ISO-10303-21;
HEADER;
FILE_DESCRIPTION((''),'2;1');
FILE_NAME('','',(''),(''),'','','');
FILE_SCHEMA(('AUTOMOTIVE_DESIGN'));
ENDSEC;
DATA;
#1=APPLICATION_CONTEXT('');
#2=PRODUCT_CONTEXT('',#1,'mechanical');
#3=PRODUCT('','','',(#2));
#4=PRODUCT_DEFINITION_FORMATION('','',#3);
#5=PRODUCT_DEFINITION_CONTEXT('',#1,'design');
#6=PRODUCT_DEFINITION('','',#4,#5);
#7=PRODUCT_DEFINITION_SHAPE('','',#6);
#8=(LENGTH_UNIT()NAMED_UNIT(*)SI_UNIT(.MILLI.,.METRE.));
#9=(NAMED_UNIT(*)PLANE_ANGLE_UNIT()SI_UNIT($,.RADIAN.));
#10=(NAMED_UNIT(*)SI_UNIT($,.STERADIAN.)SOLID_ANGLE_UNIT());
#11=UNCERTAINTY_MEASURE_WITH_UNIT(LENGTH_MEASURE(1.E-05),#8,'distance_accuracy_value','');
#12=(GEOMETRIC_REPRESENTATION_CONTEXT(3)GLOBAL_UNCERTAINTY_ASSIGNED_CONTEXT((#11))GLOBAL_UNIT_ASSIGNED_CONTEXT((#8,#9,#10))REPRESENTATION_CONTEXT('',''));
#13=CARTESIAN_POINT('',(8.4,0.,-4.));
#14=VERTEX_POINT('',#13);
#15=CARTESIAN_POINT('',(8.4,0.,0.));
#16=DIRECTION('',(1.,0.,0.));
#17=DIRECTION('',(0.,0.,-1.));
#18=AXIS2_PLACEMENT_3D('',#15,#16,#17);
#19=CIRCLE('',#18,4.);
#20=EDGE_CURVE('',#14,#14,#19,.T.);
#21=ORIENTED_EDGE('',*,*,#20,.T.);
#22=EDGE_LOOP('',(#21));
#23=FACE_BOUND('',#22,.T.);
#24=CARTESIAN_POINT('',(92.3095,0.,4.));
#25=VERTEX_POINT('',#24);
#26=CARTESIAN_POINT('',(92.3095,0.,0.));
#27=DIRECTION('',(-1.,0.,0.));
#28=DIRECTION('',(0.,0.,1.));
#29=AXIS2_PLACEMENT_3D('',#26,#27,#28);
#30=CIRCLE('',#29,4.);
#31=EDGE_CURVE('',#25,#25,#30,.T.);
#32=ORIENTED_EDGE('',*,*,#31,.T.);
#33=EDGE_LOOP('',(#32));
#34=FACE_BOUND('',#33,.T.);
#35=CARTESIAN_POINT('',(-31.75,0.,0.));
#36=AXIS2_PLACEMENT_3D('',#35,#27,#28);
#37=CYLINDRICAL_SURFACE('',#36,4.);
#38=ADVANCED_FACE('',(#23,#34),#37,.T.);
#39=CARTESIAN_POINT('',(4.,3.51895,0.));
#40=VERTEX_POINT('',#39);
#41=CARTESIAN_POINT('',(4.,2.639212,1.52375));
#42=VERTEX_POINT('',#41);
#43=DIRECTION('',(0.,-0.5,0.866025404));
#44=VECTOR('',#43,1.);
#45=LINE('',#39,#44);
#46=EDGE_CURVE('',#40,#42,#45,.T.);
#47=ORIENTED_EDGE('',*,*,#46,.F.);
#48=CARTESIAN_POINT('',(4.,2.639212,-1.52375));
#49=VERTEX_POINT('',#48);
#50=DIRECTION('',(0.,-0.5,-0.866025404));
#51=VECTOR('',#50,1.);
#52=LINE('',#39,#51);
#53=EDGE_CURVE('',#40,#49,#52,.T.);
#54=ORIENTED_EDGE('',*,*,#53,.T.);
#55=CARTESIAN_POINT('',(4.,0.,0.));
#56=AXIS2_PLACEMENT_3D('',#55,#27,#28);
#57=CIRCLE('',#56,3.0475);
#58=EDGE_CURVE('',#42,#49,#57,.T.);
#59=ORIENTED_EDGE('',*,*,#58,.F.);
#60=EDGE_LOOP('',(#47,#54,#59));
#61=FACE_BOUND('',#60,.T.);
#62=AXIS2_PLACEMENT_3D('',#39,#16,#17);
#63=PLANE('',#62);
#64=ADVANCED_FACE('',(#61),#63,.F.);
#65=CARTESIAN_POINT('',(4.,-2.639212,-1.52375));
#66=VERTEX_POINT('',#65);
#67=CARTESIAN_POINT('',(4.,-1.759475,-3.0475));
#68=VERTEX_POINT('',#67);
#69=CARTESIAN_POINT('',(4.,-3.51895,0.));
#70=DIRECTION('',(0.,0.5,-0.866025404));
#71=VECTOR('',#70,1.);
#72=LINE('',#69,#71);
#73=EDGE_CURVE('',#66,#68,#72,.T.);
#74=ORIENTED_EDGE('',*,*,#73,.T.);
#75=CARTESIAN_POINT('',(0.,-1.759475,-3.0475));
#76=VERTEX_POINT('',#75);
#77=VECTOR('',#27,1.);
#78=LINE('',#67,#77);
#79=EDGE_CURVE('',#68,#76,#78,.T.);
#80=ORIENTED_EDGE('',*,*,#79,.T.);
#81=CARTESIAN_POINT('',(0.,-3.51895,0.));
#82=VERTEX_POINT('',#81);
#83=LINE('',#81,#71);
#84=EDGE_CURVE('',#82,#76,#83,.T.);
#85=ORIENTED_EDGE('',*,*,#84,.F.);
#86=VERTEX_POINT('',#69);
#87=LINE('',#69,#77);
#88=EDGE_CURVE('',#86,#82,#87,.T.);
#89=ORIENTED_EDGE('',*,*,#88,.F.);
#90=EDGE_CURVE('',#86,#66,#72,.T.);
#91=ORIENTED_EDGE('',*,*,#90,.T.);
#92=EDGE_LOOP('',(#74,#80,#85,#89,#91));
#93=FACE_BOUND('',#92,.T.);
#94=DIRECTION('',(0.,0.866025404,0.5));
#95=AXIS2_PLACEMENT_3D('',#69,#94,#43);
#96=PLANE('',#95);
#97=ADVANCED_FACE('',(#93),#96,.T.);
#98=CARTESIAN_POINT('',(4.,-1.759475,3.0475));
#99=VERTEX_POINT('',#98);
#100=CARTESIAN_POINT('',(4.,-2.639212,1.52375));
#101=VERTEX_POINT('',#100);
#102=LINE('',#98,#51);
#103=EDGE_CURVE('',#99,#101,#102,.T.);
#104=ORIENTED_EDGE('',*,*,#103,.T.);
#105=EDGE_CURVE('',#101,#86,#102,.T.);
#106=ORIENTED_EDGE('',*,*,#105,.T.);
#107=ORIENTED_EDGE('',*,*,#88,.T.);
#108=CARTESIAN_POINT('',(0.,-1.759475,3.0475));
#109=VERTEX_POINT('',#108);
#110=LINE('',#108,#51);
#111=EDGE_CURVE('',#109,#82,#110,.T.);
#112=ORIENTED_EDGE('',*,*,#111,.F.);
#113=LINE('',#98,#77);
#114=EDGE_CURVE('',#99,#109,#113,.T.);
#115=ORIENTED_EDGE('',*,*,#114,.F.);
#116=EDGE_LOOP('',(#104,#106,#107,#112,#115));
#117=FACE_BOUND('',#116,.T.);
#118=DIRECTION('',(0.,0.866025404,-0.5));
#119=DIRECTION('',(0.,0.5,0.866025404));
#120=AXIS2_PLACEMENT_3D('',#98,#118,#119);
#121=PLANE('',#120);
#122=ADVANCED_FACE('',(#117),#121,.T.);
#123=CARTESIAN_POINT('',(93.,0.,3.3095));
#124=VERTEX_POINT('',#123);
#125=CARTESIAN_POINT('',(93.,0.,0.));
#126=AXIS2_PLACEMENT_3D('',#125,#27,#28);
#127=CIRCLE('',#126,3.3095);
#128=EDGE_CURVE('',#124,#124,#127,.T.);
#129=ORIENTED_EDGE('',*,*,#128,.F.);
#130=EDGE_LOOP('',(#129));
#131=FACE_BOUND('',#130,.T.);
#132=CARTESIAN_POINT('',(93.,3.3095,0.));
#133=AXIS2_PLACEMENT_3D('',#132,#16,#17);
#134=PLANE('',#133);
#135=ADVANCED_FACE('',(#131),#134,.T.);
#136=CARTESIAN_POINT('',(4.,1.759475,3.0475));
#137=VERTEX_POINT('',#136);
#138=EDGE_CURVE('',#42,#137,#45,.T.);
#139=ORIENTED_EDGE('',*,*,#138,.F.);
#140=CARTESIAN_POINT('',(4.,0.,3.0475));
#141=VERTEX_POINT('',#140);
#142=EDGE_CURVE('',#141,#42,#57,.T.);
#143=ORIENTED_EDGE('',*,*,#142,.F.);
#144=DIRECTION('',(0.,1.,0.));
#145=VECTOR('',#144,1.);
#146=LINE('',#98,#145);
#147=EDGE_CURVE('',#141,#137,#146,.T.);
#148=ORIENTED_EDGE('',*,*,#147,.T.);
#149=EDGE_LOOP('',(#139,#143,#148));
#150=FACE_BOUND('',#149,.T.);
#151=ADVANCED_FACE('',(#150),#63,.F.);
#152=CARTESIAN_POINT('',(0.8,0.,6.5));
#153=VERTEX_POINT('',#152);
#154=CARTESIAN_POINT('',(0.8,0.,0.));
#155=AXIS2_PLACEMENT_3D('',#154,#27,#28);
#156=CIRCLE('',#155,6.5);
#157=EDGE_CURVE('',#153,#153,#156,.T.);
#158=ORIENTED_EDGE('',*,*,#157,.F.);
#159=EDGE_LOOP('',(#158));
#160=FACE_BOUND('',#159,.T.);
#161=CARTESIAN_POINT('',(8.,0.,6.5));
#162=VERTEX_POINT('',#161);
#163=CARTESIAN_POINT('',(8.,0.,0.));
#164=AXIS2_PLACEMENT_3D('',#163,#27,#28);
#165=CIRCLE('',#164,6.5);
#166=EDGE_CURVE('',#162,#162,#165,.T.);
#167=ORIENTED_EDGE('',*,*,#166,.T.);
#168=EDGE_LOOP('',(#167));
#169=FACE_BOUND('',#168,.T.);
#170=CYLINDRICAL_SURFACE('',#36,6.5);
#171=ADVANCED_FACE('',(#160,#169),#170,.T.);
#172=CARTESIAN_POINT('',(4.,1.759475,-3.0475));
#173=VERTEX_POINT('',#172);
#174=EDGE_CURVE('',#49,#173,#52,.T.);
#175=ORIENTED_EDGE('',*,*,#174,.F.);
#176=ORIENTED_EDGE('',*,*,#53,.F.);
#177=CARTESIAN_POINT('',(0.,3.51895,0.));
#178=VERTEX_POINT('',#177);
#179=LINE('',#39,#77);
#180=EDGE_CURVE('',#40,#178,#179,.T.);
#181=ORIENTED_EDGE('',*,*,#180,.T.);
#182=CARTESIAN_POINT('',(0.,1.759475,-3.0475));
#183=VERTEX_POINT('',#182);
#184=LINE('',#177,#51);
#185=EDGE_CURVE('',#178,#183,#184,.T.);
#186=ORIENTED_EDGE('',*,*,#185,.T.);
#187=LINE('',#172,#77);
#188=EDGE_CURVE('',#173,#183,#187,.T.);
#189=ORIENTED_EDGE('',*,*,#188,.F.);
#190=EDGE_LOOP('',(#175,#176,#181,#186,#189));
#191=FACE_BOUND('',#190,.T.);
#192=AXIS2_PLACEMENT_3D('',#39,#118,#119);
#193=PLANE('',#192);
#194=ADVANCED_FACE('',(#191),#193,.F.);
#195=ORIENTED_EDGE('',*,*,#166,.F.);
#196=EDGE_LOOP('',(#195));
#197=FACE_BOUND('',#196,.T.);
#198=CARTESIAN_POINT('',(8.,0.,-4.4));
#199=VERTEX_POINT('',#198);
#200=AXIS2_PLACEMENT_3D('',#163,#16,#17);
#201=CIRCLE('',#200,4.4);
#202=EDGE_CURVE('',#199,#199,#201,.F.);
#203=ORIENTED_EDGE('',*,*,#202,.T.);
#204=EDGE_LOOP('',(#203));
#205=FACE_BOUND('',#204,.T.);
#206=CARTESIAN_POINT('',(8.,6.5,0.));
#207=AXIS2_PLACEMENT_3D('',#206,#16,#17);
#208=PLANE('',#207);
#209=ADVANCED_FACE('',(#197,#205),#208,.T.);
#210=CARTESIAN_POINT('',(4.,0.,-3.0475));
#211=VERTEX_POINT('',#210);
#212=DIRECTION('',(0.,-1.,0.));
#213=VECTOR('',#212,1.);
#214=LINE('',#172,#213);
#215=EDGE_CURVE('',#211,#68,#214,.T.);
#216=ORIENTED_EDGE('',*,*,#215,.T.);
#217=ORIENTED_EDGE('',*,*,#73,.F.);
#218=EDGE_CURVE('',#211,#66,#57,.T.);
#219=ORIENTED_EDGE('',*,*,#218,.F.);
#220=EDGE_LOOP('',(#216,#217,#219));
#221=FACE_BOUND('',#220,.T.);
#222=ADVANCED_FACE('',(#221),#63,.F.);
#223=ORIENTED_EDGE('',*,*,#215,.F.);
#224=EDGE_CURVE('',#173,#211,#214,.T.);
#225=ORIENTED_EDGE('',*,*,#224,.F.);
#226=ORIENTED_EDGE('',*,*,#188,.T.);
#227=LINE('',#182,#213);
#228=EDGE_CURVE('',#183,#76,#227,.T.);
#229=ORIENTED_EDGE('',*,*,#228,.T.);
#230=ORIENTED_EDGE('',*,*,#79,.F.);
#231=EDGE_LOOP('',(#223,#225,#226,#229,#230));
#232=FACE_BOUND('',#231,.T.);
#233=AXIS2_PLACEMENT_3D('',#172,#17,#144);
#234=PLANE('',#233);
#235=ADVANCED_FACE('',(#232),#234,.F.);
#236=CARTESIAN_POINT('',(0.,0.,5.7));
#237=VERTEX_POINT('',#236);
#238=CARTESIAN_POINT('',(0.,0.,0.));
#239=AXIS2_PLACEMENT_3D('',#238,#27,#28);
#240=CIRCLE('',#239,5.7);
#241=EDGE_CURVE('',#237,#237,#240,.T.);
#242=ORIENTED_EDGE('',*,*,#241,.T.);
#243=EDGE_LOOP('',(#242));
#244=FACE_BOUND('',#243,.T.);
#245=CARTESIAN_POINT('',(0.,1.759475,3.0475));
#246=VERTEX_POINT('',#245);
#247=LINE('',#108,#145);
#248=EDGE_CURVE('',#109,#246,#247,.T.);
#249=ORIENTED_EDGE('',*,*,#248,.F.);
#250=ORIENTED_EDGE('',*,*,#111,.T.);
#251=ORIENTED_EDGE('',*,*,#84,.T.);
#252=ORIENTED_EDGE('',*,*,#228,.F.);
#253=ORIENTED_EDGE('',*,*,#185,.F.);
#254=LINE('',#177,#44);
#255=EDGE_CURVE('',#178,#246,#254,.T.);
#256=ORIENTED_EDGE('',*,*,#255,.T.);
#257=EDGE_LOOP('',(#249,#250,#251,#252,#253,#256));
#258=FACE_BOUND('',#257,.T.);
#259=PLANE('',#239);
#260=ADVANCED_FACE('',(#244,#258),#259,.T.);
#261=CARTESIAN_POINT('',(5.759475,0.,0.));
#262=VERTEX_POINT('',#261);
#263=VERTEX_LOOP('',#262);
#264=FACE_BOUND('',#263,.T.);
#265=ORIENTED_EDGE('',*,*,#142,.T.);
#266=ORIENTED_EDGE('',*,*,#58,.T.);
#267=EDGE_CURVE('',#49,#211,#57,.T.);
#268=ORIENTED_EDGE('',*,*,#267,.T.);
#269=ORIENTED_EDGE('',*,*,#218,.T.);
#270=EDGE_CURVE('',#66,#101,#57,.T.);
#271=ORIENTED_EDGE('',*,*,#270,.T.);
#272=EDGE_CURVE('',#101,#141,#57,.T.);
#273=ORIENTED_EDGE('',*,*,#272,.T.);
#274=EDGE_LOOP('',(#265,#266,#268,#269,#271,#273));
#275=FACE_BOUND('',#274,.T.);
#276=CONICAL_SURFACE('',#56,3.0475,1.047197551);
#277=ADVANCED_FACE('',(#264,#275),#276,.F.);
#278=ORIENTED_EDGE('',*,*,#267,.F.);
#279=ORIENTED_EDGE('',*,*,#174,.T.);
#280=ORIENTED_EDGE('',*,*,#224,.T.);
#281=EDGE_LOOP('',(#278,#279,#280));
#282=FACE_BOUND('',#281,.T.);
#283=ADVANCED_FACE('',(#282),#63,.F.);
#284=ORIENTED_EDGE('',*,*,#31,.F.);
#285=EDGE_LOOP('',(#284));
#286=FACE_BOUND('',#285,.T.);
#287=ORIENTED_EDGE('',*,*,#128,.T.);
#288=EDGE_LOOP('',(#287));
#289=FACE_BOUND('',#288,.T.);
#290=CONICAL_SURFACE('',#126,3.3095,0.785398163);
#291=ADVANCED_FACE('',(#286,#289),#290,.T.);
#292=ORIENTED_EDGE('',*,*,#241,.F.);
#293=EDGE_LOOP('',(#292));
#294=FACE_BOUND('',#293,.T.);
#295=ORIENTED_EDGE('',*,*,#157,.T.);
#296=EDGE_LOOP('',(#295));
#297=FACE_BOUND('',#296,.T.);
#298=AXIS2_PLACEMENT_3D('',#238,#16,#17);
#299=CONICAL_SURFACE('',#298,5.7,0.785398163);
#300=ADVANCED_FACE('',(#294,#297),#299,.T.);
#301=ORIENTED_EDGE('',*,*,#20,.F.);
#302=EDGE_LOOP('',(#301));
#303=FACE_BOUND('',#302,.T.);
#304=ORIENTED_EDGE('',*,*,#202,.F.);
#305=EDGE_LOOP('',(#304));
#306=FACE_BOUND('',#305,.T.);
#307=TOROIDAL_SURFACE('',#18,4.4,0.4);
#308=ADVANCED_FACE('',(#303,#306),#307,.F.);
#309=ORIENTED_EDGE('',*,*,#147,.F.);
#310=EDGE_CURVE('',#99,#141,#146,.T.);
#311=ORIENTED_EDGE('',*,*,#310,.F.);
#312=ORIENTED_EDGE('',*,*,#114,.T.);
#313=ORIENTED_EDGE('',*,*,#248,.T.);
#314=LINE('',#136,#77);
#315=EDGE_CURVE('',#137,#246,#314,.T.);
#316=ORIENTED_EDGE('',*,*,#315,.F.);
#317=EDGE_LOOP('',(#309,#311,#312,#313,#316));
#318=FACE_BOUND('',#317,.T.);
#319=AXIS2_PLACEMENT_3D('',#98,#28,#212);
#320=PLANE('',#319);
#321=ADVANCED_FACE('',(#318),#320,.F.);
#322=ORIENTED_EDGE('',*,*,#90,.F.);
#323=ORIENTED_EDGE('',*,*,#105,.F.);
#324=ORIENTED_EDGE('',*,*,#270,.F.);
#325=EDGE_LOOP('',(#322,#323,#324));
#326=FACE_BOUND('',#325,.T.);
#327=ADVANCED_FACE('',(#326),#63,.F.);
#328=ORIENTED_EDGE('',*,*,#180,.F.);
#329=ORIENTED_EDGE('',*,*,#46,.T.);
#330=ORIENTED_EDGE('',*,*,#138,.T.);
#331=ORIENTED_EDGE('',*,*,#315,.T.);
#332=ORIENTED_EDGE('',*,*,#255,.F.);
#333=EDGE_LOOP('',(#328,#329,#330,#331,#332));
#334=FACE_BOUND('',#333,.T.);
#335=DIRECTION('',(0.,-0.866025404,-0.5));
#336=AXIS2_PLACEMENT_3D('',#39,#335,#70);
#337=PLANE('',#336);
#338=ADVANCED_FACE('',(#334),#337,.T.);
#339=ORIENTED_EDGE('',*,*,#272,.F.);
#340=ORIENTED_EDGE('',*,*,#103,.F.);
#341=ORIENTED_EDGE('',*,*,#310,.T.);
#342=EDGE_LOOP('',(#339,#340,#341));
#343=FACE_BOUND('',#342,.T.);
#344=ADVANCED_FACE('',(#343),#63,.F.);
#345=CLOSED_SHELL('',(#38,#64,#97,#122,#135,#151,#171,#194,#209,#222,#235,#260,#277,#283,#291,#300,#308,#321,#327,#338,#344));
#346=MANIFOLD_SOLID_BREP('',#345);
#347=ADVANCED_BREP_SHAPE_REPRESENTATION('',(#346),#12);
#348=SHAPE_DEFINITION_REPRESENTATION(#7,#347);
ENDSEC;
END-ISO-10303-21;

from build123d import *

# Parameters (mm, degrees)
FILLET1_R   = 0.4
HEX_2_DEPTH = 4


with BuildPart() as part:
    # BodySke → Base-Revolve (revolve)
    with BuildSketch(Plane.XY, mode=Mode.PRIVATE) as base_revolve_sk:
        Polygon((0, 0), (0, 5.7), (0.8, 6.5), (8, 6.5), (8, 4), (92.3095, 4), (93, 3.3095), (93, 0), align=None)
    revolve(base_revolve_sk.sketch.rotate(Axis((-31.75, 0, 0), (1, 0, 0)), 90), axis=Axis((-31.75, 0, 0), (1, 0, 0)))

    # Fillet1
    fillet1_edges = [part.edges().sort_by_distance(p)[0] for p in [
        (8, 0, -4),
    ]]
    fillet(fillet1_edges, radius=FILLET1_R)

    # Sketch2 → Hex-PreBroach (revolve, cut)
    with BuildSketch(Plane.XY, mode=Mode.PRIVATE) as hex_prebroach_sk:
        Polygon((0, 3.0475), (4, 3.0475), (5.759474945, 0), (0, 0), align=None)
    revolve(hex_prebroach_sk.sketch.rotate(Axis((0, 0, 0), (1, 0, 0)), 90), axis=Axis((0, 0, 0), (1, 0, 0)), mode=Mode.SUBTRACT)

    # Sketch3 → Hex 2 (cut)
    with BuildSketch(Plane(origin=(0, 0, 0), x_dir=(0, 0.500000000000001, 0.866025403784438), z_dir=(-1, 0, 0))):
        Polygon((1.759474945, 3.0475), (-1.759474945, 3.0475), (-3.518949891, 0), (-1.759474945, -3.0475), (1.759474945, -3.0475), (3.518949891, 0), align=None)
    extrude(amount=-HEX_2_DEPTH, mode=Mode.SUBTRACT)


solid = part.part
